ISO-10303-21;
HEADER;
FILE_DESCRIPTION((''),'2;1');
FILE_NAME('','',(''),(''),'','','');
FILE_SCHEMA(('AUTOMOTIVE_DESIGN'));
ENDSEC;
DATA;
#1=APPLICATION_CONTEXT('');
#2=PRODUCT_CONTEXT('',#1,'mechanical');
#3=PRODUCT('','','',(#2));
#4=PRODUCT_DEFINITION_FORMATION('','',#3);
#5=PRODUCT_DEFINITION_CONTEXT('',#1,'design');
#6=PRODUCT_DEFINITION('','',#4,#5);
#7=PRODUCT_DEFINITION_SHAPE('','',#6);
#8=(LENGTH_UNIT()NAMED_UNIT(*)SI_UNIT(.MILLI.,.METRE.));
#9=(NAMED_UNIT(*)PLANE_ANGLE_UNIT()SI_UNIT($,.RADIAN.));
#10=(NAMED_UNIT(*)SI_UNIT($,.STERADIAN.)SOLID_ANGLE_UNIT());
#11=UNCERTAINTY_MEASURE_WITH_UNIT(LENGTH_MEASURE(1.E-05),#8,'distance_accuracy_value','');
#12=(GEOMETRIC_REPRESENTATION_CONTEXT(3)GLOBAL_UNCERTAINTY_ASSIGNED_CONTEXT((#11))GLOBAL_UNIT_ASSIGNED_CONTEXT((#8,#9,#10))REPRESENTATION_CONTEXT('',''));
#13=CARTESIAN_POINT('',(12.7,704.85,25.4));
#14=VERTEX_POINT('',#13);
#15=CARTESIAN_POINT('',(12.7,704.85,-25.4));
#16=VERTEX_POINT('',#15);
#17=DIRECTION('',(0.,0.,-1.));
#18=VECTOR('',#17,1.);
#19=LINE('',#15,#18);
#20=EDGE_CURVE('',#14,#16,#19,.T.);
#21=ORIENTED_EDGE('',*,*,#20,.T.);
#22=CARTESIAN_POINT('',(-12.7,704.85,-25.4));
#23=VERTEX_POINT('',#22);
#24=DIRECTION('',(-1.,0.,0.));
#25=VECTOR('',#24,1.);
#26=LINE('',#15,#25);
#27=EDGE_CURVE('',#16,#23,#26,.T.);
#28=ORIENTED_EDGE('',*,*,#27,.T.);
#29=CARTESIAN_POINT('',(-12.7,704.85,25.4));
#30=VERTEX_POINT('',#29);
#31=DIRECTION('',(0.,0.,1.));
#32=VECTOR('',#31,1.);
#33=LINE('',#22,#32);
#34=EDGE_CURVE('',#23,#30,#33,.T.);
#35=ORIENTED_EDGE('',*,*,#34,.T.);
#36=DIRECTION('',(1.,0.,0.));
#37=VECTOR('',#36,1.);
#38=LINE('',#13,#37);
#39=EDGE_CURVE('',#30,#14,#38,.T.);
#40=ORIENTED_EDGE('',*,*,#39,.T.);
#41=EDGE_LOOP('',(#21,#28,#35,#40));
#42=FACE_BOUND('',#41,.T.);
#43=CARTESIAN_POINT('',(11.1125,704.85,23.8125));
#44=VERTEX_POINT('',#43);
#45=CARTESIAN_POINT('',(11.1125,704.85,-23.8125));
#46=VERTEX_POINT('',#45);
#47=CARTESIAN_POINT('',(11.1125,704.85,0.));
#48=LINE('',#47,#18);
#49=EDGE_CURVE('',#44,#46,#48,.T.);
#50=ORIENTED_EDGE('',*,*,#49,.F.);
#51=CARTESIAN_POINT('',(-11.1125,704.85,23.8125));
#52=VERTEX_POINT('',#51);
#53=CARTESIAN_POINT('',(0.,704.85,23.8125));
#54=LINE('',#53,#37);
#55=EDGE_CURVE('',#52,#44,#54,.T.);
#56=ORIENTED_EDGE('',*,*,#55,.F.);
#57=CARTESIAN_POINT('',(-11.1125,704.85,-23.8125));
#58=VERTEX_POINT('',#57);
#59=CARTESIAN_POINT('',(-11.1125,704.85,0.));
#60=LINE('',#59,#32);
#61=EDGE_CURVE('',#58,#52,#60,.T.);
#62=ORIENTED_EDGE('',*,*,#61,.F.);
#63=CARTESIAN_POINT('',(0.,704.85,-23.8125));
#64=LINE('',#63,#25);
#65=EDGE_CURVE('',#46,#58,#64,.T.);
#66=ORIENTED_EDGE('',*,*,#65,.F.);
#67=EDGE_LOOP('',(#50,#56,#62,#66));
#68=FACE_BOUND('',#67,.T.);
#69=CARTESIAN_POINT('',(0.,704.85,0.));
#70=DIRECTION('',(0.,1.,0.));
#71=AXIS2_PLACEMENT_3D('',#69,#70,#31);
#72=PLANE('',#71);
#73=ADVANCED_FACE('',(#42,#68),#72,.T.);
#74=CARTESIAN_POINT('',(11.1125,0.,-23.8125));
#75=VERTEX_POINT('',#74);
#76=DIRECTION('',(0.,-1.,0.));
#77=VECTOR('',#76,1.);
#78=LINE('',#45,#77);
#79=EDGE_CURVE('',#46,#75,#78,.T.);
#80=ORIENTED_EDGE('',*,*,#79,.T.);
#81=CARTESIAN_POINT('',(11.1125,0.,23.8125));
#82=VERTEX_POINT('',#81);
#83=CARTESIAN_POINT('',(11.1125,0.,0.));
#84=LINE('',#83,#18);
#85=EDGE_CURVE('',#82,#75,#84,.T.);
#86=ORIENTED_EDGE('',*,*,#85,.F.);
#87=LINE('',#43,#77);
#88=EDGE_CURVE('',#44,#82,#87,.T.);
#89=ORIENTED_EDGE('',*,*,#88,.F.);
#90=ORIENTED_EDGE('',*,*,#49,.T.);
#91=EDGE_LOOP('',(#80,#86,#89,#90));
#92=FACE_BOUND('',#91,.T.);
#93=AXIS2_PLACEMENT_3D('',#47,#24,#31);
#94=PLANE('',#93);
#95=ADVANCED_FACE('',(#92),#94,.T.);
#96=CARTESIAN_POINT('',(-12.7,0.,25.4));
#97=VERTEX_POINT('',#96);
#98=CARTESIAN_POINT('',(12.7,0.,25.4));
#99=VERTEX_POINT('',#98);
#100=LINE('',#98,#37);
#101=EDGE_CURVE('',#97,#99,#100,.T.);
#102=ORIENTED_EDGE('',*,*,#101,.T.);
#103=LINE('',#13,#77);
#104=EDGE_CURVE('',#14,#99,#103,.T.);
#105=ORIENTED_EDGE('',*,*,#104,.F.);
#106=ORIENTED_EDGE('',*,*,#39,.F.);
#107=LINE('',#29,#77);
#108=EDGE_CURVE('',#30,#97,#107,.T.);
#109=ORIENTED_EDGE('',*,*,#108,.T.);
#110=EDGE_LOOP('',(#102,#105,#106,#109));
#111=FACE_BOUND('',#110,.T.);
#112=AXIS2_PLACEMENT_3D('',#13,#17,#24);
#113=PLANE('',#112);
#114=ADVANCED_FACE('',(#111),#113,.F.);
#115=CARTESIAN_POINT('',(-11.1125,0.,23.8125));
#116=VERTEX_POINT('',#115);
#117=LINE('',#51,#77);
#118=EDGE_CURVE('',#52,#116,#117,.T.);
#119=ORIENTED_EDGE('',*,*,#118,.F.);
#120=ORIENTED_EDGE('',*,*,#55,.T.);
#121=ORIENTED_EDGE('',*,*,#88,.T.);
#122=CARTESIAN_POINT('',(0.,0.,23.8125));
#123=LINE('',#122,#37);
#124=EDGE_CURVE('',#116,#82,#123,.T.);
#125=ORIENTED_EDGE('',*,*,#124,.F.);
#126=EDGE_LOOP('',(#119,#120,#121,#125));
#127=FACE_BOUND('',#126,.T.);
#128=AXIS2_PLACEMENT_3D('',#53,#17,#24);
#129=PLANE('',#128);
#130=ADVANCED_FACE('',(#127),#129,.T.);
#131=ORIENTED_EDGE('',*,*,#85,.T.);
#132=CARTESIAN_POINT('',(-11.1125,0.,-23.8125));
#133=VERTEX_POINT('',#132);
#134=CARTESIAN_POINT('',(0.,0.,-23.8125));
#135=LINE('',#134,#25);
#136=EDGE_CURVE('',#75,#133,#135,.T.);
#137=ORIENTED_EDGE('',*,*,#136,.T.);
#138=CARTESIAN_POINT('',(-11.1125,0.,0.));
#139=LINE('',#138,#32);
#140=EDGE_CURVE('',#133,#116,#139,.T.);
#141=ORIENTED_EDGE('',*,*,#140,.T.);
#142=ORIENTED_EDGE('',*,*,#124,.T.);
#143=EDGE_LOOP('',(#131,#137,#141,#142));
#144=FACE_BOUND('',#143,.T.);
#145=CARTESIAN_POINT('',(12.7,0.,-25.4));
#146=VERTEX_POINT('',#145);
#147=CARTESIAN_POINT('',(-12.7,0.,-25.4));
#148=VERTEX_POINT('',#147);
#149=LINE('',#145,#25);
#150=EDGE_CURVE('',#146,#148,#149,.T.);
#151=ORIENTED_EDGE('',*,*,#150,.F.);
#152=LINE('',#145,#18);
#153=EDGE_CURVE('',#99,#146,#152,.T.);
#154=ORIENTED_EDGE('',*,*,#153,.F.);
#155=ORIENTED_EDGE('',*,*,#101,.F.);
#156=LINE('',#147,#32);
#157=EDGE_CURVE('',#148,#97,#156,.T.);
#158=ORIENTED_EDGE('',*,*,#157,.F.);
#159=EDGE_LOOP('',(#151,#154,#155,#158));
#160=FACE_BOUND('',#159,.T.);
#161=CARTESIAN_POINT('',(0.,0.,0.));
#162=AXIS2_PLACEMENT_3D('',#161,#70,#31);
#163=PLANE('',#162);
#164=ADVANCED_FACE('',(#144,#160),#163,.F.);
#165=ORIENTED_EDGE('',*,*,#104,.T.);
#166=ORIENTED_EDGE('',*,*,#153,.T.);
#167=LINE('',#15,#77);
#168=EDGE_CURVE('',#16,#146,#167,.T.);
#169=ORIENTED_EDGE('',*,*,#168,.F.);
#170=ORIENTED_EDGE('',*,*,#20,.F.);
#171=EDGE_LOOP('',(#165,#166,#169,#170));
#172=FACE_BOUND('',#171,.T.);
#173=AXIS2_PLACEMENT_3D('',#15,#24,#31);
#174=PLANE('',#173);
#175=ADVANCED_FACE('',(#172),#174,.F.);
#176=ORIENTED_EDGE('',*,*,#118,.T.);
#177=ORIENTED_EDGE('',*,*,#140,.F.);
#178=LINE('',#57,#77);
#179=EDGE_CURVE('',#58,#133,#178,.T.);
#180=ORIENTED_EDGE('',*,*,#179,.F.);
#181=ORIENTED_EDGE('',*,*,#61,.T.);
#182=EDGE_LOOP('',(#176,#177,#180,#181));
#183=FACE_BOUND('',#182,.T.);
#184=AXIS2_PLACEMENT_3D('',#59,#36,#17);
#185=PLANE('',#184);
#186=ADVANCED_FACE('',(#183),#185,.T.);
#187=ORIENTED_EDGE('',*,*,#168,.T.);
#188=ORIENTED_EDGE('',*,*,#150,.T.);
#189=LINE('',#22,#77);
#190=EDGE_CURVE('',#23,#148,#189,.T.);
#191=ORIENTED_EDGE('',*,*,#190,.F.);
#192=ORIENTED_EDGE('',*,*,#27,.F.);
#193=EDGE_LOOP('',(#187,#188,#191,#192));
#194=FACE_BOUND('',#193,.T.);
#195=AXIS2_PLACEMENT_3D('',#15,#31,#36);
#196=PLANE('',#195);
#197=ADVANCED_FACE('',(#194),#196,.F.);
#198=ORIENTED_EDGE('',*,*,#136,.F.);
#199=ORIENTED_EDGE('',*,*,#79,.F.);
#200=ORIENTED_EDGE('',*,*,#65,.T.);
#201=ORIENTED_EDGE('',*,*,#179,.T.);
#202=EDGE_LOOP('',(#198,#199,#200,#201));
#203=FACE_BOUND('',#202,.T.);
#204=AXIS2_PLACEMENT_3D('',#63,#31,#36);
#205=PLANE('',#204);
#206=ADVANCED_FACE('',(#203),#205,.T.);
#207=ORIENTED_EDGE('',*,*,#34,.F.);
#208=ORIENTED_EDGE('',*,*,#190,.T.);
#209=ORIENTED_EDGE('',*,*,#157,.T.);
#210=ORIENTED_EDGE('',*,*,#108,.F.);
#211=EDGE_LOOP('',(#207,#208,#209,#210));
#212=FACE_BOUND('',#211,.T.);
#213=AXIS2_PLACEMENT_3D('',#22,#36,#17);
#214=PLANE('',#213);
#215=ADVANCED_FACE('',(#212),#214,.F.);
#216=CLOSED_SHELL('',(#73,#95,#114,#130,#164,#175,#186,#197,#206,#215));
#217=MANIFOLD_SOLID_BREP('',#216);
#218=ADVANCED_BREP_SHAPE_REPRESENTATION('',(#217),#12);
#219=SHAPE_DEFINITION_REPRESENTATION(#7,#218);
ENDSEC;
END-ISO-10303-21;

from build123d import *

# Parameters (mm, degrees)
SKETCH1_W           = 25.4
SKETCH1_H           = 50.8
SKETCH1_W_2         = 22.225
SKETCH1_H_2         = 47.625
EXTRUDE_THIN1_DEPTH = 704.85


with BuildPart() as part:
    # Sketch1 → Extrude-Thin1 (new body)
    with BuildSketch(Plane(origin=(0, 0, 0), x_dir=(1, 0, 0), z_dir=(0, 1, 0))):
        Rectangle(SKETCH1_W, SKETCH1_H)
        Rectangle(SKETCH1_W_2, SKETCH1_H_2, mode=Mode.SUBTRACT)
    extrude(amount=EXTRUDE_THIN1_DEPTH)


solid = part.part
